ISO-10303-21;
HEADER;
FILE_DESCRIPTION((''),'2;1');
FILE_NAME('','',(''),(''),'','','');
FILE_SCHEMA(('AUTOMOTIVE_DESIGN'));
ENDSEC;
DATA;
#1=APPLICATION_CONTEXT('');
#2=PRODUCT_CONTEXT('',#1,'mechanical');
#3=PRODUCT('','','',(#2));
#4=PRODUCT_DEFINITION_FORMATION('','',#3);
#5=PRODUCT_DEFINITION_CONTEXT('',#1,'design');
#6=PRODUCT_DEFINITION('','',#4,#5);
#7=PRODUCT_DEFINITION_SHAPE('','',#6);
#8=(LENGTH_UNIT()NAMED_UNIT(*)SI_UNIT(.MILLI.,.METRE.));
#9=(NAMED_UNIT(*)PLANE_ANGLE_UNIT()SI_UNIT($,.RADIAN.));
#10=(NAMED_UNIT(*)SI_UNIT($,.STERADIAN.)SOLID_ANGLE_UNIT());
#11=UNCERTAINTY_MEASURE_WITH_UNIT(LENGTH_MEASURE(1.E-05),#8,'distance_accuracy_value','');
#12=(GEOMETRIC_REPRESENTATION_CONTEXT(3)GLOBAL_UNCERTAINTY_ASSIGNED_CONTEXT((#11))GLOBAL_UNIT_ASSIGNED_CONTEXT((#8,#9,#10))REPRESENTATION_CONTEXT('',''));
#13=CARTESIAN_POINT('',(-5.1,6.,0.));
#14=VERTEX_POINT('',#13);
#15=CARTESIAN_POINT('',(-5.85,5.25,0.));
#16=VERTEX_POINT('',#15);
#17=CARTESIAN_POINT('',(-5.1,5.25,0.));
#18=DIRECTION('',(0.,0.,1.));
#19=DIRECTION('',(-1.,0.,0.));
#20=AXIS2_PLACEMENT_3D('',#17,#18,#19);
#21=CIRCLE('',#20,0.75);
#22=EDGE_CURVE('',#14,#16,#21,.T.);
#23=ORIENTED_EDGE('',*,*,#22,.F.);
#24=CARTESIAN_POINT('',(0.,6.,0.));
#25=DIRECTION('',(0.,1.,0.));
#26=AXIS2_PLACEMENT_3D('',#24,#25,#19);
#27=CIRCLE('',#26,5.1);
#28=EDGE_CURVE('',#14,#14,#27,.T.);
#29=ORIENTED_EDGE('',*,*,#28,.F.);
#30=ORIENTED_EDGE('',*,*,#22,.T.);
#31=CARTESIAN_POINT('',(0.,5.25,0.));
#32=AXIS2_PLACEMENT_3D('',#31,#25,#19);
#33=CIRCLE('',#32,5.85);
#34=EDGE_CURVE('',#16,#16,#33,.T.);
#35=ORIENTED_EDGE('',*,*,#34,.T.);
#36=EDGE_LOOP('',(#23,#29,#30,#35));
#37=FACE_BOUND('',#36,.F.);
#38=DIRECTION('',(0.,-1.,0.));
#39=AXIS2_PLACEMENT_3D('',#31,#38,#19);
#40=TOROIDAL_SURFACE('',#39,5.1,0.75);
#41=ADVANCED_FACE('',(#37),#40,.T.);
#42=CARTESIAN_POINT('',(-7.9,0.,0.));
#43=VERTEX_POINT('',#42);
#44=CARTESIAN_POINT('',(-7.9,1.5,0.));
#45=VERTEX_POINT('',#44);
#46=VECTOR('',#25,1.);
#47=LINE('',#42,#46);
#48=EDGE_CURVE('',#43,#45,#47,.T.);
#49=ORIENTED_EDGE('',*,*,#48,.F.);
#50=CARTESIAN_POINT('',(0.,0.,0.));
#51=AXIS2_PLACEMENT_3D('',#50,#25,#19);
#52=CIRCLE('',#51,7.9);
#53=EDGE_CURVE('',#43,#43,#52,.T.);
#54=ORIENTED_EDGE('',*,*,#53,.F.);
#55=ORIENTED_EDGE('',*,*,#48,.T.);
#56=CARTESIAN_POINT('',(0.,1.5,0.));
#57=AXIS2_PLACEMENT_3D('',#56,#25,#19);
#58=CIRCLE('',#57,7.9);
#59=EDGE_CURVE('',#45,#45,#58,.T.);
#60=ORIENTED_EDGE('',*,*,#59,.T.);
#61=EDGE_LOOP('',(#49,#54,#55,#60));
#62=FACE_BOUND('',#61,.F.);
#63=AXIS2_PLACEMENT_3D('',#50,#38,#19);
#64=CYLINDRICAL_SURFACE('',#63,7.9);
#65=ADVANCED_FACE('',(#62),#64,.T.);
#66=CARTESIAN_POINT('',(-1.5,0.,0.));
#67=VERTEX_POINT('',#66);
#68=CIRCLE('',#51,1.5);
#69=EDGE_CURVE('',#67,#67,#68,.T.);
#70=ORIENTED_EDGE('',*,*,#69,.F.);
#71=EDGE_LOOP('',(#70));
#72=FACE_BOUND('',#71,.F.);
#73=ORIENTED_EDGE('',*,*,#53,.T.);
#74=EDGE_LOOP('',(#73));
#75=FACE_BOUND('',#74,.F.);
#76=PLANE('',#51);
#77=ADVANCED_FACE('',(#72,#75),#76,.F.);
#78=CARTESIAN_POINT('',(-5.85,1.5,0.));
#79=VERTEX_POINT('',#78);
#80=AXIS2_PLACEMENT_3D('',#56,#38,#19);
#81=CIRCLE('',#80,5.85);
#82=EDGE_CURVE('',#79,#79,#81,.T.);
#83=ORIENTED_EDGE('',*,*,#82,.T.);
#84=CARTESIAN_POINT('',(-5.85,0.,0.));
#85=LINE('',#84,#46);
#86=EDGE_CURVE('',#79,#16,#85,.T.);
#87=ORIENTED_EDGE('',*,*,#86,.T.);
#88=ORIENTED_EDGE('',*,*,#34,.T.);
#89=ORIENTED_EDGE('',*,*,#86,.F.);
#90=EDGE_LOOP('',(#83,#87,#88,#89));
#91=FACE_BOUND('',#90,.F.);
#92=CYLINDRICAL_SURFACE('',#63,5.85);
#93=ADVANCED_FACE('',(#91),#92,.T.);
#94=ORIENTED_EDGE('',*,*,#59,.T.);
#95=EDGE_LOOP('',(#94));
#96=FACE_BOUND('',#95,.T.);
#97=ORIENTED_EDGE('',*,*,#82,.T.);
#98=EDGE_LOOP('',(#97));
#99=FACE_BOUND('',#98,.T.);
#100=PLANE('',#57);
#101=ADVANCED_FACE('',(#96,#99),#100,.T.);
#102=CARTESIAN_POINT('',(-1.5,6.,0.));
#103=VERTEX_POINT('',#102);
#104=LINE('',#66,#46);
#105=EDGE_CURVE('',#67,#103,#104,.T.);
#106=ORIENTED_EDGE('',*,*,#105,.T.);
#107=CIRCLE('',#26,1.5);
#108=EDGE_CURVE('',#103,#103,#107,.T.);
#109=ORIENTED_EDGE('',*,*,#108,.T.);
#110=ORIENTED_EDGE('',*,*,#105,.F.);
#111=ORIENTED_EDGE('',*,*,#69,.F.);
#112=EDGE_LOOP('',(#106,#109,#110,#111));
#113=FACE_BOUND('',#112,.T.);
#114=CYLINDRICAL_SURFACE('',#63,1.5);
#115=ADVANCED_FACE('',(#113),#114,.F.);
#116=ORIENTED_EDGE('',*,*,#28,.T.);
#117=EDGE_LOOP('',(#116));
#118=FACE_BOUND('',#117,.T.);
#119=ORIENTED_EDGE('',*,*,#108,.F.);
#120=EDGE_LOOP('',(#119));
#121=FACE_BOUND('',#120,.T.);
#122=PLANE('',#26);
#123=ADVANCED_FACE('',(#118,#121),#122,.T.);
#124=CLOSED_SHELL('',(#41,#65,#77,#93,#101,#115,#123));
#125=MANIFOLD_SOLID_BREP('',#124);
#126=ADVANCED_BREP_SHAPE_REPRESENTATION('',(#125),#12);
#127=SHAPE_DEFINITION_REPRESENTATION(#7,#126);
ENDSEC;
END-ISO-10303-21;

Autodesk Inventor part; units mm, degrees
ref_plane "YZ Plane" through (0, 0, 0) normal (1, 0, 0) x (0, 1, 0)
ref_plane "XZ Plane" through (0, 0, 0) normal (0, 1, 0) x (-1, 0, 0)
ref_plane "XY Plane" through (0, 0, 0) normal (0, 0, 1) x (1, 0, 0)
sketch "Sketch1" plane through (0, 0, 0) normal (0, 1, 0) x (-1, 0, 0)
  circle A0 centre (0, 0) radius 7.9
  circle A1 centre (0, 0) radius 5.85
  circle A2 centre (0, 0) radius 1.5
  dimension "d0" = 15.8
  dimension "d1" = 11.7
  dimension "d3" = 3
extrude "Extrusion1" add sketch "Sketch1" along normal blind 1.5 contours A0 | A1
extrude "Extrusion2" add sketch "Sketch1" along normal blind 6 contours A1
fillet "Fillet1" radius 0.75 1 edges at (5.85, 6, 0)
properties part number "juki-nozzle-base"
